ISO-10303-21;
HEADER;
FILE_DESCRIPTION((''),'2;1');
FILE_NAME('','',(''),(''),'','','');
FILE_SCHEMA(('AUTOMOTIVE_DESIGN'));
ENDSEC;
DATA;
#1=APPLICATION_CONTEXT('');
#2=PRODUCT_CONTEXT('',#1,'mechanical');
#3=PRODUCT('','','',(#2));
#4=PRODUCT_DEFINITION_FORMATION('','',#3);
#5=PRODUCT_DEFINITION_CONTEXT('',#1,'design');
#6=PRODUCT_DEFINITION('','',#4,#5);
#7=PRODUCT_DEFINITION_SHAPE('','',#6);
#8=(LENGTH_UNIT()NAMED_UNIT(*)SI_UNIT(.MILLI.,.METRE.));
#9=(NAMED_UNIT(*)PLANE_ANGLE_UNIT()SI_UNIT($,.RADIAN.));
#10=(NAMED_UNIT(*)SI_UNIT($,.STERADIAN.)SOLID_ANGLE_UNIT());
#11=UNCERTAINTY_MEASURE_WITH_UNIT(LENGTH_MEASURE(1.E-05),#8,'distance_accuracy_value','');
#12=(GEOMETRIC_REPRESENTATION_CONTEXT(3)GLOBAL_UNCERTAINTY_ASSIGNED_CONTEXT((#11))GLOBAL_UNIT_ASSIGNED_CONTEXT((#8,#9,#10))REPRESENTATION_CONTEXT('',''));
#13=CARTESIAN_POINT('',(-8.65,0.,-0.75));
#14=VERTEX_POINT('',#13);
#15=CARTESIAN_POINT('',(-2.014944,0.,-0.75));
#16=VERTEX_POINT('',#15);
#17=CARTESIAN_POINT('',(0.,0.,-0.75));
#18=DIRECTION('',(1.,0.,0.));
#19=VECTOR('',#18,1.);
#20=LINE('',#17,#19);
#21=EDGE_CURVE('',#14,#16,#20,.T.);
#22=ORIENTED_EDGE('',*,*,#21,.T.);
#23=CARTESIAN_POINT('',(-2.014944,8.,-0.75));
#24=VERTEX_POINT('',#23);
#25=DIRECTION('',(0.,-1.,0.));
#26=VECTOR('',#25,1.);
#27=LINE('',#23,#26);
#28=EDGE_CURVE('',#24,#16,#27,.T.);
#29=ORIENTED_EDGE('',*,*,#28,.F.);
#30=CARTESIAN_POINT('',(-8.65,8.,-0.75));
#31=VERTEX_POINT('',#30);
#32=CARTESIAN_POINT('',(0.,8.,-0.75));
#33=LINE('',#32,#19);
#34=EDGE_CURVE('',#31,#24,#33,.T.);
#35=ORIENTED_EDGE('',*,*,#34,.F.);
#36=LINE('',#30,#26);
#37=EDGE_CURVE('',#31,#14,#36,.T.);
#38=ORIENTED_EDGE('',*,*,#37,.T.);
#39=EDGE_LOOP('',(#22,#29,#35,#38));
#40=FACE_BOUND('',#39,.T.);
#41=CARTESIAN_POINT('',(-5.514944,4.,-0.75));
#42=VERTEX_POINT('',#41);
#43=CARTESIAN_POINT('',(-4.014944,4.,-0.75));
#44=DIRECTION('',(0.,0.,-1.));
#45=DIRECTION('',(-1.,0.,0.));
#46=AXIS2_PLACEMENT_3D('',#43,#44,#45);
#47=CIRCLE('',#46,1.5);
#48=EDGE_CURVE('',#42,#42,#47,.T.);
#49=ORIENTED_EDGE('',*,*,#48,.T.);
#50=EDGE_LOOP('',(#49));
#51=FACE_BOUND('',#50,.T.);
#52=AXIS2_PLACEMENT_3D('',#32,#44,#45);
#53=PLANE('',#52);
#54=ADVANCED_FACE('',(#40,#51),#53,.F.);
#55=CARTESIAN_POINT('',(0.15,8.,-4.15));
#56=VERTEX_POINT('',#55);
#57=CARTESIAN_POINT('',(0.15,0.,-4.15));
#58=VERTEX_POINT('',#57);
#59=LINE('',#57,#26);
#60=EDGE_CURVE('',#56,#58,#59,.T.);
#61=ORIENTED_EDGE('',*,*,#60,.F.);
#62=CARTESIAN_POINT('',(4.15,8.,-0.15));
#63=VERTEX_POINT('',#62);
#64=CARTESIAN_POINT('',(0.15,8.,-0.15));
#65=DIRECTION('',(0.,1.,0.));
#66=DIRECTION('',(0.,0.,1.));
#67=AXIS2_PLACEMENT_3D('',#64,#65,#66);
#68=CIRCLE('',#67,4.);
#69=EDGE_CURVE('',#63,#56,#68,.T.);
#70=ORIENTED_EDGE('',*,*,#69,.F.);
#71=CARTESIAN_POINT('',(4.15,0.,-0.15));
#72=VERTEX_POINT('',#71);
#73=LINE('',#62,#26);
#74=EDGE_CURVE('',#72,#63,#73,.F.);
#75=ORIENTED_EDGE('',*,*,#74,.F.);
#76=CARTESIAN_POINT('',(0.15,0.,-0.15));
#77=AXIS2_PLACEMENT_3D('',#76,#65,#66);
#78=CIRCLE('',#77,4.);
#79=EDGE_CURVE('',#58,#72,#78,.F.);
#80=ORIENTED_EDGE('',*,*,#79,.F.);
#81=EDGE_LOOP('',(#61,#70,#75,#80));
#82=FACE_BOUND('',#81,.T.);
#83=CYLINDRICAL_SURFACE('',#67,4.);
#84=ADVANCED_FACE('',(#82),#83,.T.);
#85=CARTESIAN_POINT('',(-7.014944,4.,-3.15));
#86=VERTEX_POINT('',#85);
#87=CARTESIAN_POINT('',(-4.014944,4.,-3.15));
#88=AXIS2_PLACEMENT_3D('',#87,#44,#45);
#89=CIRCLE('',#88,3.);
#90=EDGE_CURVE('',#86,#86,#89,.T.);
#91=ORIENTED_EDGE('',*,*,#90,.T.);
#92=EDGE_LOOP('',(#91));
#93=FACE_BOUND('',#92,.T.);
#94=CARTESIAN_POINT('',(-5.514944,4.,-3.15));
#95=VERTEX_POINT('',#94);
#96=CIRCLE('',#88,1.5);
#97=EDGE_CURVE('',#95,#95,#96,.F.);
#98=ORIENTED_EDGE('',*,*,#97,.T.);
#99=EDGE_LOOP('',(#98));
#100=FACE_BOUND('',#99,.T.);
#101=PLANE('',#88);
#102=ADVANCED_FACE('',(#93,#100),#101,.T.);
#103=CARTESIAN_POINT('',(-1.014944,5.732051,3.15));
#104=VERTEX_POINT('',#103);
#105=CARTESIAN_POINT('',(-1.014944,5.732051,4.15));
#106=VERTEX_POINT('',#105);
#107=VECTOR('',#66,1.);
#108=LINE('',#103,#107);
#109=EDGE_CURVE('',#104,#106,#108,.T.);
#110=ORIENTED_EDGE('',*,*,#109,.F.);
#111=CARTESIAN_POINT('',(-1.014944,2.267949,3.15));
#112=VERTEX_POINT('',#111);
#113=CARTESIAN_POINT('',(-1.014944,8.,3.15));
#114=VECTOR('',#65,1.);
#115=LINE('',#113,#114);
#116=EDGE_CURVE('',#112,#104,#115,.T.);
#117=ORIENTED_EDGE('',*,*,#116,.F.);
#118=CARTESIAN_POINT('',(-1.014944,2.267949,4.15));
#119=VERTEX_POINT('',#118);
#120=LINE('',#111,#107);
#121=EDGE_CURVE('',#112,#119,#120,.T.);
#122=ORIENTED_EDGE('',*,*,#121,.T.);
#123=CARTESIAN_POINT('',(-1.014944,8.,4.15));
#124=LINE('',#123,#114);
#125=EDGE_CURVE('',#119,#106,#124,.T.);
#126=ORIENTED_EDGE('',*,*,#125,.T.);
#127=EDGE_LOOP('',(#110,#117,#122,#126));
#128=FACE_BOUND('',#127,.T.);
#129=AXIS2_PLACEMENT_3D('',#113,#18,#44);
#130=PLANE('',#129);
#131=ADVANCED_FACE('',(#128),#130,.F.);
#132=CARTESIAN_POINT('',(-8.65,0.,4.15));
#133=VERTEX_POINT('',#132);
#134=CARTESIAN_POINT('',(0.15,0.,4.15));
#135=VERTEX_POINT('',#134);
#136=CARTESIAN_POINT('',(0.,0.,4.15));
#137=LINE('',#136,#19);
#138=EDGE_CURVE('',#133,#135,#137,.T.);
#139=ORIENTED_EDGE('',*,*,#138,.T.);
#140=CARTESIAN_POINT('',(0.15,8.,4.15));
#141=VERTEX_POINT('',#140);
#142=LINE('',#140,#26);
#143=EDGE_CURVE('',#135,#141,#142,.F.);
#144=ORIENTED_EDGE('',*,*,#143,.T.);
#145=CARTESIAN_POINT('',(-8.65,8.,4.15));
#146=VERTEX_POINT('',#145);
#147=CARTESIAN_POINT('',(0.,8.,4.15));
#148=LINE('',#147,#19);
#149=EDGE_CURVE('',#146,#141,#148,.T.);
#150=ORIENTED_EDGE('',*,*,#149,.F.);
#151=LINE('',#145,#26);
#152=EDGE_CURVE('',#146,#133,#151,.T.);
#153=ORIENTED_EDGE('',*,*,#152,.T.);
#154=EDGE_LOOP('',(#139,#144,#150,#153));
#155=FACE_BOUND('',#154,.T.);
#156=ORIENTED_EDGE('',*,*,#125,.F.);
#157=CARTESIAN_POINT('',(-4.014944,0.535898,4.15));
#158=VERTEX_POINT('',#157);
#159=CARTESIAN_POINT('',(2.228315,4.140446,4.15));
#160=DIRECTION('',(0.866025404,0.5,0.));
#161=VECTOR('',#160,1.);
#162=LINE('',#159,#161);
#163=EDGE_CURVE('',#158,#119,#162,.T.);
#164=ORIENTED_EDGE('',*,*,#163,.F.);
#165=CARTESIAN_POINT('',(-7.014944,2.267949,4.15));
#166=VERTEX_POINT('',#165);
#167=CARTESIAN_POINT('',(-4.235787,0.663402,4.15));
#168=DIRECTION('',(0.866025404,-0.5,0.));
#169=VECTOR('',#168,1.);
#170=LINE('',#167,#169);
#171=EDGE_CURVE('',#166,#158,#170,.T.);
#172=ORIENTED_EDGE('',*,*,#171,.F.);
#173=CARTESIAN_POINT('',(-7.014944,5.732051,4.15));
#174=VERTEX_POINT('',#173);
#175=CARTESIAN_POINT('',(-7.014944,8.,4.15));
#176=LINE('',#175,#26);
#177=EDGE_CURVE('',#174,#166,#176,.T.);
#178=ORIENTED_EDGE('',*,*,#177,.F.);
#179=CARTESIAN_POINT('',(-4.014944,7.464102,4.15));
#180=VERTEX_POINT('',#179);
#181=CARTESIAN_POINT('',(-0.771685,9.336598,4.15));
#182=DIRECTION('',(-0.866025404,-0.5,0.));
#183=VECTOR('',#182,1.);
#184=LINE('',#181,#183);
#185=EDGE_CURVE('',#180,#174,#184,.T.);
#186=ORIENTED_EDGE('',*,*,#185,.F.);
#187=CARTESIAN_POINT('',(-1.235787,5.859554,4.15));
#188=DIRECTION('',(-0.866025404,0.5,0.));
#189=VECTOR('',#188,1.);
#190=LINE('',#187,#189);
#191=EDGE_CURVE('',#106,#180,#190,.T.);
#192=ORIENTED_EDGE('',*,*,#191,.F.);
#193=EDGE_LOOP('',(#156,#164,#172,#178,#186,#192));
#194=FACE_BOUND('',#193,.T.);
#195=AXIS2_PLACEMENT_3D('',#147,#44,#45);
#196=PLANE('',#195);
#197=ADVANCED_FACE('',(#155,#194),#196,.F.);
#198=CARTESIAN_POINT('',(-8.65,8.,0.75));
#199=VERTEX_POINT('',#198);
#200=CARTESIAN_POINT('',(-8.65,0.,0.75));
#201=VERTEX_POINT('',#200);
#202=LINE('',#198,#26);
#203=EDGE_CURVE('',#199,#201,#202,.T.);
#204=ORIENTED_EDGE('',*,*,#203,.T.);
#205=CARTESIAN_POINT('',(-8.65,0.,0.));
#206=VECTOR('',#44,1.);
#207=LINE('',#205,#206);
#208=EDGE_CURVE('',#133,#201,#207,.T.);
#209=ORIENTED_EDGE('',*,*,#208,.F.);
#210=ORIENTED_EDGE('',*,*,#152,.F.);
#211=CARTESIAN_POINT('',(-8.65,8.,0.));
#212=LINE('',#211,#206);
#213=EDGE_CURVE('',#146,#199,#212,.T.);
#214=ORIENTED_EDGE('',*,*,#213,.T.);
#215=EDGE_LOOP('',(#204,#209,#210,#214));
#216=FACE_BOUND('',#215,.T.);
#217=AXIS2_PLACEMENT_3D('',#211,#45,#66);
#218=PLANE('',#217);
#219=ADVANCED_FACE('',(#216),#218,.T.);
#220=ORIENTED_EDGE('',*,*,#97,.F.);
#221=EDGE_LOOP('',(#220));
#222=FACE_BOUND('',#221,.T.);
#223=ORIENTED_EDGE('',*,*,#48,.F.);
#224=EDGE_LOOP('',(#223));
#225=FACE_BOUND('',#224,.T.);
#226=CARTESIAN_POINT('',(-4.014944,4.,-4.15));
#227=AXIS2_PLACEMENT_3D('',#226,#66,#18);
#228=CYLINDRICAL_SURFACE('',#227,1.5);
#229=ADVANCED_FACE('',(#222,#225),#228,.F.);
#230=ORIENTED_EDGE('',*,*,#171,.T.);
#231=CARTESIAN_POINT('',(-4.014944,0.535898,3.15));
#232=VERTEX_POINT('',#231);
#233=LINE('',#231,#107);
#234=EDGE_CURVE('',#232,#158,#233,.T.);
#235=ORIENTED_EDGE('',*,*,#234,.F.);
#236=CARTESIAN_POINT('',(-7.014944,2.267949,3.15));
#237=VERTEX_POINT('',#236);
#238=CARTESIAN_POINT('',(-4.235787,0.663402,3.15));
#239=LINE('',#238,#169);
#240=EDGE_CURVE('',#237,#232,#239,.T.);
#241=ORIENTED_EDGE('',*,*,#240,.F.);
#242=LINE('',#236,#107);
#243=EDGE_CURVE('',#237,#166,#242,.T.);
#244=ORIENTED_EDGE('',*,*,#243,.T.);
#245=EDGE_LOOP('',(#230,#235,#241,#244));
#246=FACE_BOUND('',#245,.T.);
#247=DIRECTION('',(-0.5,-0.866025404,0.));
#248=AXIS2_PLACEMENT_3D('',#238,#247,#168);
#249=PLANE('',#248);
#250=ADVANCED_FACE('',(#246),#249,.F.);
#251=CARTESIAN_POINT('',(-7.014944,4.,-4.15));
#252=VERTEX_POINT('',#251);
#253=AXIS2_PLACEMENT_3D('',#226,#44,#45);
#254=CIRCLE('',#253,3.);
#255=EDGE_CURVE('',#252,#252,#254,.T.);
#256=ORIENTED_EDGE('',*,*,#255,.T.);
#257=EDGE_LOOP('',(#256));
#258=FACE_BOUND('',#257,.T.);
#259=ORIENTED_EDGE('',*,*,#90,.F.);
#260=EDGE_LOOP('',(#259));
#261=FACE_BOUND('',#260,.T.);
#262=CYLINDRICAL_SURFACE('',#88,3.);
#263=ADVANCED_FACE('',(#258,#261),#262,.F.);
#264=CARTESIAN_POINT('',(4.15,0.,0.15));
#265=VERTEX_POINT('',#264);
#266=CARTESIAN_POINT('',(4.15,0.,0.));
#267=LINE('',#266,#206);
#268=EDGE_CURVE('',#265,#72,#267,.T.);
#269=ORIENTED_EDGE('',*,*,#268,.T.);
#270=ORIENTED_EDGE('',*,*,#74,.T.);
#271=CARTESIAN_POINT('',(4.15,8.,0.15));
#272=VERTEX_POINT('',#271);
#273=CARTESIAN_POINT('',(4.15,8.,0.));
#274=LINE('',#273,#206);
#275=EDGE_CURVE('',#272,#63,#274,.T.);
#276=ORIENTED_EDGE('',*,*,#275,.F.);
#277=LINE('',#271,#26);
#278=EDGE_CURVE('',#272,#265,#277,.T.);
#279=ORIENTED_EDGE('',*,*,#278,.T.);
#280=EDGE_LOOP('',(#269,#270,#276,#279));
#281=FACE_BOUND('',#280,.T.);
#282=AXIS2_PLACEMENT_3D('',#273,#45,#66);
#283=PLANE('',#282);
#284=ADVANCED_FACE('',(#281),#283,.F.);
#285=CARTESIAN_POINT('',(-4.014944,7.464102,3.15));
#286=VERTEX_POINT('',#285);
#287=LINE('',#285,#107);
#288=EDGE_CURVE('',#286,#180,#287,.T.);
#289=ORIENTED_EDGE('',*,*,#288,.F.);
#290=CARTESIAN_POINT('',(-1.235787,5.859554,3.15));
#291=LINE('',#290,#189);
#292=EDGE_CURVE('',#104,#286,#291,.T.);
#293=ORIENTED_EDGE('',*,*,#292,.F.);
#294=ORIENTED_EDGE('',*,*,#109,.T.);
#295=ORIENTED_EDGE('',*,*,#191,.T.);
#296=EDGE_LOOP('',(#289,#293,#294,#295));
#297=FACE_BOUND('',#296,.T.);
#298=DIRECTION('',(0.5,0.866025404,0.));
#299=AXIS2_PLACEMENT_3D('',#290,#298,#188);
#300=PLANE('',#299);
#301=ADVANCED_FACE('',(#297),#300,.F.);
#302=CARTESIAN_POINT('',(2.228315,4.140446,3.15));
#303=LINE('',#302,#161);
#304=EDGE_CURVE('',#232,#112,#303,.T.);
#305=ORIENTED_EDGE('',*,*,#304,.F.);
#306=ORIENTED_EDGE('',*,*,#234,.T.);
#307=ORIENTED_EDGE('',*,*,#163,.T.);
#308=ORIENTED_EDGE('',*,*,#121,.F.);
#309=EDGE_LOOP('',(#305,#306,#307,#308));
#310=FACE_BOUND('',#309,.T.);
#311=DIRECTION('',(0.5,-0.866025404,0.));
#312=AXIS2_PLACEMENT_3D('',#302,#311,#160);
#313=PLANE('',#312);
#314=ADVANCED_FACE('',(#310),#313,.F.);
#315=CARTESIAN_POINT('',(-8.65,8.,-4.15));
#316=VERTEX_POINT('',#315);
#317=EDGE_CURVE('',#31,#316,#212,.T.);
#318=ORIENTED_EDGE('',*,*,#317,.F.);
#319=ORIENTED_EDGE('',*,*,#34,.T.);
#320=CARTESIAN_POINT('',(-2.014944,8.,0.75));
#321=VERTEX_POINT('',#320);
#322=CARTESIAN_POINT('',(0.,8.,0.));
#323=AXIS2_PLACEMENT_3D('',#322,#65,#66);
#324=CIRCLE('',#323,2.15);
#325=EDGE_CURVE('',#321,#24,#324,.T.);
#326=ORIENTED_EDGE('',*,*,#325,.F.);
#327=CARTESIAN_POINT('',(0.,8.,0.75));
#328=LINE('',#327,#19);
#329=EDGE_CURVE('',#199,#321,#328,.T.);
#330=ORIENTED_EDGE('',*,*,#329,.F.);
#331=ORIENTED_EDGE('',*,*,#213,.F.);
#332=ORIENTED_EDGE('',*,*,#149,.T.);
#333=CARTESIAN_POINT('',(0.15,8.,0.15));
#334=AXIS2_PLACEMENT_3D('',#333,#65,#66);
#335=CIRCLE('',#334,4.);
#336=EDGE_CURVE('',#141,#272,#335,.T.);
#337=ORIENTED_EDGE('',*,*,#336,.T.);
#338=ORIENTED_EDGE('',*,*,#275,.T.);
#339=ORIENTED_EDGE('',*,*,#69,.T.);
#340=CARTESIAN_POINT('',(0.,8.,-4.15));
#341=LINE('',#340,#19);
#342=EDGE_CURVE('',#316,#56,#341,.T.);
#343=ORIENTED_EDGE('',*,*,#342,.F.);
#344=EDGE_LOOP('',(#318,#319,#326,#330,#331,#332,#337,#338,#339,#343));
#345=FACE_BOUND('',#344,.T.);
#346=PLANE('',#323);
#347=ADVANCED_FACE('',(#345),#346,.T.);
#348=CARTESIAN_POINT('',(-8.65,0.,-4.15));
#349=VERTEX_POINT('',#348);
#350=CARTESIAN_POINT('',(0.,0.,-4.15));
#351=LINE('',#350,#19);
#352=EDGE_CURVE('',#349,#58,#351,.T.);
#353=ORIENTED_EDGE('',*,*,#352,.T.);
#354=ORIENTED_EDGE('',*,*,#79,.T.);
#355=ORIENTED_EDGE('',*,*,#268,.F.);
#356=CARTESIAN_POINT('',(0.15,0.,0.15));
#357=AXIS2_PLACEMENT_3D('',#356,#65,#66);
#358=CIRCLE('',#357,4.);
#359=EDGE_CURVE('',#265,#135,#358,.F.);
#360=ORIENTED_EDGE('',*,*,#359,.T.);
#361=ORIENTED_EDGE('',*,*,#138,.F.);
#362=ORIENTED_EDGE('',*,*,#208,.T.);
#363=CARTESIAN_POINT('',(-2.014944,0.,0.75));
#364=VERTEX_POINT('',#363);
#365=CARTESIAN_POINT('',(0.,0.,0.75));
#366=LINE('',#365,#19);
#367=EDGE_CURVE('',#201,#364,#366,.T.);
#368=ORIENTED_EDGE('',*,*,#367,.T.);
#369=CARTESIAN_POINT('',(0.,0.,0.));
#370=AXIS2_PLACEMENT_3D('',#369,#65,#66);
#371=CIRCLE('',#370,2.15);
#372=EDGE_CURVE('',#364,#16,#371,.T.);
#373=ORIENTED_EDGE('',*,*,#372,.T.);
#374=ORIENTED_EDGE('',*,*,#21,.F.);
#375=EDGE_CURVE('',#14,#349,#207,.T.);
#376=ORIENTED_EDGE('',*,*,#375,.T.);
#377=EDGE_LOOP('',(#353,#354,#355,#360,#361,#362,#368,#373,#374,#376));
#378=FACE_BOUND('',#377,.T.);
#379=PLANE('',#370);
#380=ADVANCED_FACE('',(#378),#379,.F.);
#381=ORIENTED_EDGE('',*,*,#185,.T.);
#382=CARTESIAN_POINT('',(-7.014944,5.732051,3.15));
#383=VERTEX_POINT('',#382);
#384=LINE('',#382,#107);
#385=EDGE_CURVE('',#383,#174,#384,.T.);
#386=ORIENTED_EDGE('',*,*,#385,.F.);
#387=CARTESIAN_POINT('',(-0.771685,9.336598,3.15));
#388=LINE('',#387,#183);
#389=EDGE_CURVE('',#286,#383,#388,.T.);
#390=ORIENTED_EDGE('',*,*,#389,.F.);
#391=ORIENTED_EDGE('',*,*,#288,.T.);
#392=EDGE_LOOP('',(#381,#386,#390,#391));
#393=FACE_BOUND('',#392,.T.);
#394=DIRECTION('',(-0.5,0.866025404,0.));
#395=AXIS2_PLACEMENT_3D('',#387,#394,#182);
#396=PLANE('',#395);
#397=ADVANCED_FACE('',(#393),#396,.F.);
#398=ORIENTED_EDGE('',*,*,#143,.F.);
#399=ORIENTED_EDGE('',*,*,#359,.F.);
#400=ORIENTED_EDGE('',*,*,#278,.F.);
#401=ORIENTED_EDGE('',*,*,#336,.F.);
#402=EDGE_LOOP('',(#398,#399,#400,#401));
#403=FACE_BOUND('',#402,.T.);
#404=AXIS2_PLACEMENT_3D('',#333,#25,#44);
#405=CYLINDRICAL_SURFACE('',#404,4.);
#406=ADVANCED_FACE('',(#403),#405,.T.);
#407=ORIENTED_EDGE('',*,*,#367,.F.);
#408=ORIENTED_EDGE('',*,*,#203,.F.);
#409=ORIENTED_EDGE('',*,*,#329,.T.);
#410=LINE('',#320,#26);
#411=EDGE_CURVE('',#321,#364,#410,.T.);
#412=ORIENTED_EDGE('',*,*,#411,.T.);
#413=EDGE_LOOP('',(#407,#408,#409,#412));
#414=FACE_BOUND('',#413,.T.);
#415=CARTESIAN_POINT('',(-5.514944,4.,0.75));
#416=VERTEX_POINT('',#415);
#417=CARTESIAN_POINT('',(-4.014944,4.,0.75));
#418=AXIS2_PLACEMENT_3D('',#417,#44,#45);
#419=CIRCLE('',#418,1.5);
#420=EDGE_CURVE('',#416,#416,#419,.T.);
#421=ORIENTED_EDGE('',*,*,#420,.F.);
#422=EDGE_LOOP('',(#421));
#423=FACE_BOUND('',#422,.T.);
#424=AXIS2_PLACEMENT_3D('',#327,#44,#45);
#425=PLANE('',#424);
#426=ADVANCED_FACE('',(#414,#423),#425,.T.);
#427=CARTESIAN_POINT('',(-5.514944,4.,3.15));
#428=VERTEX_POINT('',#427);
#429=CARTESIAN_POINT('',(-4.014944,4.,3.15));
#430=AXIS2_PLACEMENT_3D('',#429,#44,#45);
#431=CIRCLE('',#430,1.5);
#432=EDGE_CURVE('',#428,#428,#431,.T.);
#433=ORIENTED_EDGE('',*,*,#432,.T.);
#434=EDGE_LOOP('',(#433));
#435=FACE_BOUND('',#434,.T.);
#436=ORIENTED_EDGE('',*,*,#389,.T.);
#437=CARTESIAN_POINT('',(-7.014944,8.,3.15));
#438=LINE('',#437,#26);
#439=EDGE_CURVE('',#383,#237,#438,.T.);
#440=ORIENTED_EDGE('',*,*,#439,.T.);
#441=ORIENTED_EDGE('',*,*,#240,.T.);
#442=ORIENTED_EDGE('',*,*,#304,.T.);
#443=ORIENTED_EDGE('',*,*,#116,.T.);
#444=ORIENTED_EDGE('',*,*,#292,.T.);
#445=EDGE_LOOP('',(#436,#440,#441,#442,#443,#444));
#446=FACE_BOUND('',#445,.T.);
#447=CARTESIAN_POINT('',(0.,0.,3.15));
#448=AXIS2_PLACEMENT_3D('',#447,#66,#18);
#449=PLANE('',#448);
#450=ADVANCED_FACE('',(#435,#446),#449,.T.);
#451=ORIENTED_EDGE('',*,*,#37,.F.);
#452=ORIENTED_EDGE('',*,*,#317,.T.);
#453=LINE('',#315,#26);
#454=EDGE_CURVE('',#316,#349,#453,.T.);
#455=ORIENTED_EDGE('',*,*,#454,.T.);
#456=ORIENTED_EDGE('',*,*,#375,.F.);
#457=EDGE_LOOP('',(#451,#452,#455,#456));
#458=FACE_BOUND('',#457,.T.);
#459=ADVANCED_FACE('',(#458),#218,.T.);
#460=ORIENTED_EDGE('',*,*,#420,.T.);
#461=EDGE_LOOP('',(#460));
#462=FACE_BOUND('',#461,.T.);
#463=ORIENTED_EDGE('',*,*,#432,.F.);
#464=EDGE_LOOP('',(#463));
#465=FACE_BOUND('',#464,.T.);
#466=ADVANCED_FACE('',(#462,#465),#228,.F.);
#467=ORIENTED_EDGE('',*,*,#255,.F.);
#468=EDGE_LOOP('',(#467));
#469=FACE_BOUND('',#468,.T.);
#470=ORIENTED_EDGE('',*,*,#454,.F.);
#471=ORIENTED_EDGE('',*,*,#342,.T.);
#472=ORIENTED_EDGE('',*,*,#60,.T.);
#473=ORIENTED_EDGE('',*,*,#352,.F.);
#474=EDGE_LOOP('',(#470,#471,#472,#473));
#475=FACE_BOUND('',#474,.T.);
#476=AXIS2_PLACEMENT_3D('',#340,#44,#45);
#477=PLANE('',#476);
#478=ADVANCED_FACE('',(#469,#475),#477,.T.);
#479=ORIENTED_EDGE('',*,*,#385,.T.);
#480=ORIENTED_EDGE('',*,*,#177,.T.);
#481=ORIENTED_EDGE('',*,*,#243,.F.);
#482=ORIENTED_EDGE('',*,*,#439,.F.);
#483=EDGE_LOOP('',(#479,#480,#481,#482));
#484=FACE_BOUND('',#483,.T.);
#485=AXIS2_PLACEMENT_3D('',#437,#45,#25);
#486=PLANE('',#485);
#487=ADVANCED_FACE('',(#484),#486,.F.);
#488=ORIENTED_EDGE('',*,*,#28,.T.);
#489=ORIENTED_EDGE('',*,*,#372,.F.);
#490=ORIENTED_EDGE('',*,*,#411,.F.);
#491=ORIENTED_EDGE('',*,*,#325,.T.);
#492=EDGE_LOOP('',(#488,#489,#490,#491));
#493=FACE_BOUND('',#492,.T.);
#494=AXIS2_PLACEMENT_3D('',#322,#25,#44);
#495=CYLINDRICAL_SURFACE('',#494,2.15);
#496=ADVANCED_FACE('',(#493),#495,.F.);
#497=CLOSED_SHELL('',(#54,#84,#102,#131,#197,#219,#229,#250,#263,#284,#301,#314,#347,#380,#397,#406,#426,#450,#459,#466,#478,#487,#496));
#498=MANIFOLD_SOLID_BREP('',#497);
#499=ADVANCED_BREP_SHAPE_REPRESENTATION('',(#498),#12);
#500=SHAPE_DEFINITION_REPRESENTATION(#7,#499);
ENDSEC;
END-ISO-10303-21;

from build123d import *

# Parameters (mm, degrees)
BOSS_EXTRUDE1_DEPTH     = 8
SKETCH2_R               = 1.5
CUT_EXTRUDE1_DEPTH      = 5.9
CUT_EXTRUDE1_DEPTH_BACK = 4.4
CUT_EXTRUDE2_START      = 4.9
SKETCH2_3_R             = 1.5
CUT_EXTRUDE2_DEPTH      = 1
SKETCH3_R               = 3
CUT_EXTRUDE3_DEPTH      = 1
FILLET1_R               = 4


with BuildPart() as part:
    # Sketch1 → Boss-Extrude1 (new body)
    with BuildSketch(Plane(origin=(0, 0, 0), x_dir=(1, 0, 0), z_dir=(0, 1, 0))):
        with BuildLine():
            Line((-8.65, -0.75), (-8.65, -4.15))
            Line((-8.65, -4.15), (4.15, -4.15))
            Line((4.15, -4.15), (4.15, 4.15))
            Line((4.15, 4.15), (-8.65, 4.15))
            Line((-8.65, 4.15), (-8.65, 0.75))
            Line((-8.65, 0.75), (-2.014944168, 0.75))
            ThreePointArc((-2.014944168, 0.75), (0.38103152, 2.115966678), (2.15, 0))
            ThreePointArc((2.15, 0), (0.38103152, -2.115966678), (-2.014944168, -0.75))
            Line((-2.014944168, -0.75), (-8.65, -0.75))
        make_face()
    extrude(amount=BOSS_EXTRUDE1_DEPTH)

    # Sketch2 → Cut-Extrude1 (cut, two sides)
    with BuildSketch(Plane.XY.offset(-0.75)) as cut_extrude1_sk:
        with Locations((-4.014944168, 4)):
            Circle(SKETCH2_R)
    extrude(amount=CUT_EXTRUDE1_DEPTH, mode=Mode.SUBTRACT)
    extrude(cut_extrude1_sk.sketch, amount=-CUT_EXTRUDE1_DEPTH_BACK, mode=Mode.SUBTRACT)

    # Sketch2<3> → Cut-Extrude2 (cut)
    with BuildSketch(Plane.XY.offset(-0.75).offset(CUT_EXTRUDE2_START)):
        Polygon((-2.014944168, 6.309401077), (-4.014944168, 7.464101615), (-7.014944168, 5.732050808), (-7.014944168, 2.267949192), (-4.014944168, 0.535898385), (-2.014944168, 1.690598923), align=None)
        with Locations((-4.014944168, 4)):
            Circle(SKETCH2_3_R, mode=Mode.SUBTRACT)
        Polygon((-1.014944168, 5.732050808), (-2.014944168, 6.309401077), (-2.014944168, 1.690598923), (-1.014944168, 2.267949192), align=None)
    extrude(amount=-CUT_EXTRUDE2_DEPTH, mode=Mode.SUBTRACT)

    # Sketch3 → Cut-Extrude3 (cut)
    with BuildSketch(Plane(origin=(0, 0, -4.15), x_dir=(-1, 0, 0), z_dir=(0, 0, -1))):
        with Locations((4.014944168, 4)):
            Circle(SKETCH3_R)
    extrude(amount=-CUT_EXTRUDE3_DEPTH, mode=Mode.SUBTRACT)

    # Fillet1
    fillet1_edges = [part.edges().sort_by_distance(p)[0] for p in [
        (4.15, 4, -4.15),
        (4.15, 4, 4.15),
    ]]
    fillet(fillet1_edges, radius=FILLET1_R)


solid = part.part
